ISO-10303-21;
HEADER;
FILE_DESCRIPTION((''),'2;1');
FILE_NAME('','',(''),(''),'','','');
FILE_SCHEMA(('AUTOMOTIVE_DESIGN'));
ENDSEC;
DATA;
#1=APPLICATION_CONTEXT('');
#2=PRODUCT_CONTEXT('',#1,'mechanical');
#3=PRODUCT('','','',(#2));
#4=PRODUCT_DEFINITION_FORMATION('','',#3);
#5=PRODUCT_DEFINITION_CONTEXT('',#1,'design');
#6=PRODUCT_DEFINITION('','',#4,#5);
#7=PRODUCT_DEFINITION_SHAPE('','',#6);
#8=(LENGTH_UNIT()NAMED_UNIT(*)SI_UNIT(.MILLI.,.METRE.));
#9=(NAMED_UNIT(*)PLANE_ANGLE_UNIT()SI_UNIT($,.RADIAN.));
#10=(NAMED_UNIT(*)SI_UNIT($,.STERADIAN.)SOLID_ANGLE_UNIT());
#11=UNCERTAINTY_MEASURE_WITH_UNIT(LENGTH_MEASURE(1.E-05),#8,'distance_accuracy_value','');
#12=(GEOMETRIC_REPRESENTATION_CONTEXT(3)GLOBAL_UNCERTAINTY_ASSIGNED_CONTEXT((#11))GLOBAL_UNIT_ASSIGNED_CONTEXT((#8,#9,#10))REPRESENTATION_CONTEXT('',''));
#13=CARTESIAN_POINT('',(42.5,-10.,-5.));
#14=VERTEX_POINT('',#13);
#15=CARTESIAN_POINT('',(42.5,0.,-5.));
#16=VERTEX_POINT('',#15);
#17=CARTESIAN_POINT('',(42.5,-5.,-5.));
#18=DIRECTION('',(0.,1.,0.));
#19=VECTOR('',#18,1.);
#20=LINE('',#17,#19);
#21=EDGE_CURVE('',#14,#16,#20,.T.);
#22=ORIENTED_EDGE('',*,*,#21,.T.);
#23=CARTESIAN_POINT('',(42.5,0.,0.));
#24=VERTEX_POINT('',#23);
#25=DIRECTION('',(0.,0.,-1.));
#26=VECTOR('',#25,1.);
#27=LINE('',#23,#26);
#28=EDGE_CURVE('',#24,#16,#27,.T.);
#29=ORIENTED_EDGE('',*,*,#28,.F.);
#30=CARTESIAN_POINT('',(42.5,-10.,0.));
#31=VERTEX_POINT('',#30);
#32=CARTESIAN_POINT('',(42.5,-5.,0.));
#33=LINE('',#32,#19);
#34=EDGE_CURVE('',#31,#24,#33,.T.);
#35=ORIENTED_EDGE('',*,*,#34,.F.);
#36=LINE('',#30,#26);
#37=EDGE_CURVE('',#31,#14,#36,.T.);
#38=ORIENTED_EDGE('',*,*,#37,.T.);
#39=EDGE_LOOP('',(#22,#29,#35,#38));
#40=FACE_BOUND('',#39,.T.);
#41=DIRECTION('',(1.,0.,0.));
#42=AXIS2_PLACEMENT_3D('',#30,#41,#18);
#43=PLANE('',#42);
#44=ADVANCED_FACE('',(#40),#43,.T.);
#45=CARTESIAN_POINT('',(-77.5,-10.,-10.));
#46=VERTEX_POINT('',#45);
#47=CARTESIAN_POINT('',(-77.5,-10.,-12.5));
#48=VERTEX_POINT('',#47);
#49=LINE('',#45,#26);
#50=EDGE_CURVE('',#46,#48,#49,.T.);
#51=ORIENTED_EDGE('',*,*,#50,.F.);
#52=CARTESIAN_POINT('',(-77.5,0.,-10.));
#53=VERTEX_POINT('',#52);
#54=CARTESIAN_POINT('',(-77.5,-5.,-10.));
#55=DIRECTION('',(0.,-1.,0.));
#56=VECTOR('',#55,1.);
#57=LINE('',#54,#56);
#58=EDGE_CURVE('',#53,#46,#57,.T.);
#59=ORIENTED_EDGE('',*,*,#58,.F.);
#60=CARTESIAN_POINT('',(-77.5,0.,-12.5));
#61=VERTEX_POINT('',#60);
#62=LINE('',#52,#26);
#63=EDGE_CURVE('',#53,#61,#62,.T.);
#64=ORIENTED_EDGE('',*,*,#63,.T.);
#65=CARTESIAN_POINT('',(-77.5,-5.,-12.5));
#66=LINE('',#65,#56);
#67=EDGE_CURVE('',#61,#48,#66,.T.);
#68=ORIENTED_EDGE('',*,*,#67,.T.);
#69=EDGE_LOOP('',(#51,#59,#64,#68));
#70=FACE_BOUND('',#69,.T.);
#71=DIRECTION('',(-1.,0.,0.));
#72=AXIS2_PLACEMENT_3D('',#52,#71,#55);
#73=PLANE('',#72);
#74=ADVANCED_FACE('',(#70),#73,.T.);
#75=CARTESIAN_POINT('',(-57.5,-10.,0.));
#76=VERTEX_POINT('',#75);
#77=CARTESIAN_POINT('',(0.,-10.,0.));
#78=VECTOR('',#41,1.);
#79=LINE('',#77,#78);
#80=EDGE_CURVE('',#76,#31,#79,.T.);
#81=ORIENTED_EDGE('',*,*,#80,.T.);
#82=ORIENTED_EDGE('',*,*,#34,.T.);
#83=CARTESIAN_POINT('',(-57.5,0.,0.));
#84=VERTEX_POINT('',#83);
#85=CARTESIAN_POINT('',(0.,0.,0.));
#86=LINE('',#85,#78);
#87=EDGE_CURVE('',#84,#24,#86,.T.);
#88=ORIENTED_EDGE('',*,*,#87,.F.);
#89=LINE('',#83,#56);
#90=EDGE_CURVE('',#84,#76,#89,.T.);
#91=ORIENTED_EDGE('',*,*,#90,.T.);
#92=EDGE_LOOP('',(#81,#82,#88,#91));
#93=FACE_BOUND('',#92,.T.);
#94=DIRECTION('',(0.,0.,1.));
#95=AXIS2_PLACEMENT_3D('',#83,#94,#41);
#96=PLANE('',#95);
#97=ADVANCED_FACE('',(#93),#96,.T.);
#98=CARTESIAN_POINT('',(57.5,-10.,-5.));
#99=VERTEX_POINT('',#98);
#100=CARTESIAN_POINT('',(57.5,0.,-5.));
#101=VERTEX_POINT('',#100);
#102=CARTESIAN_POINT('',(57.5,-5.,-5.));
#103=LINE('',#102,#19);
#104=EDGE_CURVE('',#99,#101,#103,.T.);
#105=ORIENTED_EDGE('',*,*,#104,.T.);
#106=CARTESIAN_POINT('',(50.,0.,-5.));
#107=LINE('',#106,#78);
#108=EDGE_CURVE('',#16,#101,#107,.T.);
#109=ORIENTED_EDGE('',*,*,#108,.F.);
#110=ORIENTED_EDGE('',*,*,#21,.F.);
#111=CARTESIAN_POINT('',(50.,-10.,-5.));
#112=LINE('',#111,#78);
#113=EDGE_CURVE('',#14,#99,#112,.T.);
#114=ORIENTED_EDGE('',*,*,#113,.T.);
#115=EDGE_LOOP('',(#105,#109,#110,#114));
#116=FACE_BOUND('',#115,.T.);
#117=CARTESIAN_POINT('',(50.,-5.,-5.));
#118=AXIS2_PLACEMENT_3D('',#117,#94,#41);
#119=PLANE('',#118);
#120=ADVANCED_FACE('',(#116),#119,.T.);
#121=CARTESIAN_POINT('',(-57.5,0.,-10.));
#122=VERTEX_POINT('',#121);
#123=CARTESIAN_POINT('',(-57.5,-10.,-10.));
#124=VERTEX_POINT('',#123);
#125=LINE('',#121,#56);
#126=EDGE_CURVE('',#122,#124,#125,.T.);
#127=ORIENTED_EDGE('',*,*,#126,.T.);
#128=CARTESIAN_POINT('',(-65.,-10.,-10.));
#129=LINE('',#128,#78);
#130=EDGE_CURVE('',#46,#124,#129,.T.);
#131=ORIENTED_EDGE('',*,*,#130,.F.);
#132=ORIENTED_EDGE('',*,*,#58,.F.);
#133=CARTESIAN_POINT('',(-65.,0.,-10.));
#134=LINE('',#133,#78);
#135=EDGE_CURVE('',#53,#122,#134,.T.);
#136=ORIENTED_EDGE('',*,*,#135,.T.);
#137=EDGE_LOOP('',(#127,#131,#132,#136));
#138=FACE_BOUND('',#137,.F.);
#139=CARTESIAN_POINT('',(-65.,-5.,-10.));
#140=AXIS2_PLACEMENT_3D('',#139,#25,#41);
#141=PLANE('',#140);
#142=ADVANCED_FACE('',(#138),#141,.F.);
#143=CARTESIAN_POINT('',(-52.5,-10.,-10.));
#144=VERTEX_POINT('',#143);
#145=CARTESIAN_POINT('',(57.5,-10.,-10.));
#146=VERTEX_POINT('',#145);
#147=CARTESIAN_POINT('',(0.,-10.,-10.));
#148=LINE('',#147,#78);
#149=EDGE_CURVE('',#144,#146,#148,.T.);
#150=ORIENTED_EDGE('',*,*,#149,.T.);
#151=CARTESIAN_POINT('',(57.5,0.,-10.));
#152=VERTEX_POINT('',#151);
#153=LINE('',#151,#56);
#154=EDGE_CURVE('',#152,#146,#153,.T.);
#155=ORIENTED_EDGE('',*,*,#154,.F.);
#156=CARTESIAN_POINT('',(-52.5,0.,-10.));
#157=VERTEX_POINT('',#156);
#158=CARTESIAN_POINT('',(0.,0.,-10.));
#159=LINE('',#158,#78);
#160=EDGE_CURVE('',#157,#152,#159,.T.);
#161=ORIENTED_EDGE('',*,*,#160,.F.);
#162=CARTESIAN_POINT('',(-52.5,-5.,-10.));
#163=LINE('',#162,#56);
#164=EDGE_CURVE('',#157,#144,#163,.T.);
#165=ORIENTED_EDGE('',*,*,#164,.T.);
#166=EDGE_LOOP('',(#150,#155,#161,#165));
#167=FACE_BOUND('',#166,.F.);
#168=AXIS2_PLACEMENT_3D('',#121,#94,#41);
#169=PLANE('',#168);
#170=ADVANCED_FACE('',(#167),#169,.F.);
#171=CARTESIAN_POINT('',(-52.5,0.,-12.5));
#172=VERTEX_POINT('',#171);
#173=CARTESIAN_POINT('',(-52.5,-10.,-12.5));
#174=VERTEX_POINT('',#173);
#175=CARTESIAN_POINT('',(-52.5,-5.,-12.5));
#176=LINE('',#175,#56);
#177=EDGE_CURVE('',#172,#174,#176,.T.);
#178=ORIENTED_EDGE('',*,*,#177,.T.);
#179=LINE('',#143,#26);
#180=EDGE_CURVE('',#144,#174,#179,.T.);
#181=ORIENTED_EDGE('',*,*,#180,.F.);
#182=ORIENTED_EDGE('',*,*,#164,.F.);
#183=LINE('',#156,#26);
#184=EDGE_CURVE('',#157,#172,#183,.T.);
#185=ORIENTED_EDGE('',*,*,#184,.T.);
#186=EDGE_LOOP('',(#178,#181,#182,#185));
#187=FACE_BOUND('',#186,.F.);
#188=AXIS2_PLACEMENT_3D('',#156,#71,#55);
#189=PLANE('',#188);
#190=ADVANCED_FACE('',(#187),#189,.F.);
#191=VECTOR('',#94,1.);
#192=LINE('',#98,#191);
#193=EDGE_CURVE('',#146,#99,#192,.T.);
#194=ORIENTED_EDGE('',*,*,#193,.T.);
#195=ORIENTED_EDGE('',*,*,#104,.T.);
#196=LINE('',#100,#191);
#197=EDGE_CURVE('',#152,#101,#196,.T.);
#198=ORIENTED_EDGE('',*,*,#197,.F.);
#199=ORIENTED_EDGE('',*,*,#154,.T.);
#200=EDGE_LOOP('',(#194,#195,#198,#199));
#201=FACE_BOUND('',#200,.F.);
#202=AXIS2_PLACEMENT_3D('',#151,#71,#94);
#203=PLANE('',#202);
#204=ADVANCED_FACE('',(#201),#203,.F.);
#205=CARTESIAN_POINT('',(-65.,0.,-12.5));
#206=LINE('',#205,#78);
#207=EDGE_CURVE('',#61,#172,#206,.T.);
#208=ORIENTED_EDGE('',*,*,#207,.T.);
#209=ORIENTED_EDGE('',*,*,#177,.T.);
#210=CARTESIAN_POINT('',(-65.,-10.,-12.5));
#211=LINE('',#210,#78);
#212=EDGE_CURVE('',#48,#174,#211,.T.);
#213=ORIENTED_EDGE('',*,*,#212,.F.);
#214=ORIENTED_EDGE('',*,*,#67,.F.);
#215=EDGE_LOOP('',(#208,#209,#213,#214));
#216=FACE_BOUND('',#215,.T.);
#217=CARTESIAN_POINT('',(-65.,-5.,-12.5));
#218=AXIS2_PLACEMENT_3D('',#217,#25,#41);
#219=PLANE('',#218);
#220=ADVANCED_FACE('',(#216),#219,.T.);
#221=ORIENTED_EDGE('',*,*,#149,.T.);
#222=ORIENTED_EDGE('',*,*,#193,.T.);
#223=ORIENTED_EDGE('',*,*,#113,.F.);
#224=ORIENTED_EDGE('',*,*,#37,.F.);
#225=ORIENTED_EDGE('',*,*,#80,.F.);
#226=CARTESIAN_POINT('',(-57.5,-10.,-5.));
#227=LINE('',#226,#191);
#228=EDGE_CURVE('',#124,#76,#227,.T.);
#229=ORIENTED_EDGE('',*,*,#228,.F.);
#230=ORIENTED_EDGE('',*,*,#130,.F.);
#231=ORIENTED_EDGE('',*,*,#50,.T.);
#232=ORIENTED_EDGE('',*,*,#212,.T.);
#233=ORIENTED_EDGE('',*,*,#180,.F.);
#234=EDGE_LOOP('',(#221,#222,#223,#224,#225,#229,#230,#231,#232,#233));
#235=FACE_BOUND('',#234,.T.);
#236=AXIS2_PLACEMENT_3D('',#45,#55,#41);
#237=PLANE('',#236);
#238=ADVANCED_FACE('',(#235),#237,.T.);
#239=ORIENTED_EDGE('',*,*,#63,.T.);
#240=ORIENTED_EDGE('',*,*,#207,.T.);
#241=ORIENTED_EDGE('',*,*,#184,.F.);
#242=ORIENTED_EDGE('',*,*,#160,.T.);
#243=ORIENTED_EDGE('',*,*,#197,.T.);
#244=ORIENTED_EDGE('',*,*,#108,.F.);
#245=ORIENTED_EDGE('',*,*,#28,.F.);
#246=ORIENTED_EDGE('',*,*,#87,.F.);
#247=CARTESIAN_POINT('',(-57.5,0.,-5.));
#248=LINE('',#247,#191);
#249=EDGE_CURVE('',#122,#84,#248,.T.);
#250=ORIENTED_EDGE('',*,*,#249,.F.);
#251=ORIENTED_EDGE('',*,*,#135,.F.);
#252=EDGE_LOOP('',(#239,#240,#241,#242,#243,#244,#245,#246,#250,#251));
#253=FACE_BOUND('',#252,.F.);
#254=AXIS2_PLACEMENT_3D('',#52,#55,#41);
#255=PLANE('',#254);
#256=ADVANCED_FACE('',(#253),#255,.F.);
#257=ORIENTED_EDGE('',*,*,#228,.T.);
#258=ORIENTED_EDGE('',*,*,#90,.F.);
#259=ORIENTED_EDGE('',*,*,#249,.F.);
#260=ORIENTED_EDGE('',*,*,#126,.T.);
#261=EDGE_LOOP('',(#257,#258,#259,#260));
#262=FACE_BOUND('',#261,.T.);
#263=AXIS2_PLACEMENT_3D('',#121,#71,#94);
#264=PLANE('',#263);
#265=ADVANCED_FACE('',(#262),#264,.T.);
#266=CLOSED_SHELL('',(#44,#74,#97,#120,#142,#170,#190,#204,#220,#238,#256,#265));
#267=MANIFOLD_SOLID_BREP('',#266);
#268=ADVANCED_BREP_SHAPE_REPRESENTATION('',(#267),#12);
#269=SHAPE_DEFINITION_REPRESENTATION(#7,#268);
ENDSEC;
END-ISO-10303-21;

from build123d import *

# Parameters (mm, degrees)
F0_W     = 115
F0_H     = 10
F1_DEPTH = 10
F2_W     = 15
F2_H     = 10
F3_DEPTH = 5
F4_W     = 25
F4_H     = 10
F5_DEPTH = 2.5


with BuildPart() as f1:
    # F0 (on Front) → F1 (new body)
    with BuildSketch(Plane.XZ):
        with Locations((0, -5)):
            Rectangle(F0_W, F0_H)
    extrude(amount=F1_DEPTH)

    # F2 (on face) → F3 (cut)
    with BuildSketch(Plane.XY):
        with Locations((50, -5)):
            Rectangle(F2_W, F2_H)
    extrude(amount=-F3_DEPTH, mode=Mode.SUBTRACT)

    # F4 (on face) → F5 (join)
    with BuildSketch(Plane(origin=(0, 0, -10), x_dir=(1, 0, 0), z_dir=(0, 0, -1))):
        with Locations((-65, 5)):
            Rectangle(F4_W, F4_H)
    extrude(amount=F5_DEPTH)


solid = f1.part
